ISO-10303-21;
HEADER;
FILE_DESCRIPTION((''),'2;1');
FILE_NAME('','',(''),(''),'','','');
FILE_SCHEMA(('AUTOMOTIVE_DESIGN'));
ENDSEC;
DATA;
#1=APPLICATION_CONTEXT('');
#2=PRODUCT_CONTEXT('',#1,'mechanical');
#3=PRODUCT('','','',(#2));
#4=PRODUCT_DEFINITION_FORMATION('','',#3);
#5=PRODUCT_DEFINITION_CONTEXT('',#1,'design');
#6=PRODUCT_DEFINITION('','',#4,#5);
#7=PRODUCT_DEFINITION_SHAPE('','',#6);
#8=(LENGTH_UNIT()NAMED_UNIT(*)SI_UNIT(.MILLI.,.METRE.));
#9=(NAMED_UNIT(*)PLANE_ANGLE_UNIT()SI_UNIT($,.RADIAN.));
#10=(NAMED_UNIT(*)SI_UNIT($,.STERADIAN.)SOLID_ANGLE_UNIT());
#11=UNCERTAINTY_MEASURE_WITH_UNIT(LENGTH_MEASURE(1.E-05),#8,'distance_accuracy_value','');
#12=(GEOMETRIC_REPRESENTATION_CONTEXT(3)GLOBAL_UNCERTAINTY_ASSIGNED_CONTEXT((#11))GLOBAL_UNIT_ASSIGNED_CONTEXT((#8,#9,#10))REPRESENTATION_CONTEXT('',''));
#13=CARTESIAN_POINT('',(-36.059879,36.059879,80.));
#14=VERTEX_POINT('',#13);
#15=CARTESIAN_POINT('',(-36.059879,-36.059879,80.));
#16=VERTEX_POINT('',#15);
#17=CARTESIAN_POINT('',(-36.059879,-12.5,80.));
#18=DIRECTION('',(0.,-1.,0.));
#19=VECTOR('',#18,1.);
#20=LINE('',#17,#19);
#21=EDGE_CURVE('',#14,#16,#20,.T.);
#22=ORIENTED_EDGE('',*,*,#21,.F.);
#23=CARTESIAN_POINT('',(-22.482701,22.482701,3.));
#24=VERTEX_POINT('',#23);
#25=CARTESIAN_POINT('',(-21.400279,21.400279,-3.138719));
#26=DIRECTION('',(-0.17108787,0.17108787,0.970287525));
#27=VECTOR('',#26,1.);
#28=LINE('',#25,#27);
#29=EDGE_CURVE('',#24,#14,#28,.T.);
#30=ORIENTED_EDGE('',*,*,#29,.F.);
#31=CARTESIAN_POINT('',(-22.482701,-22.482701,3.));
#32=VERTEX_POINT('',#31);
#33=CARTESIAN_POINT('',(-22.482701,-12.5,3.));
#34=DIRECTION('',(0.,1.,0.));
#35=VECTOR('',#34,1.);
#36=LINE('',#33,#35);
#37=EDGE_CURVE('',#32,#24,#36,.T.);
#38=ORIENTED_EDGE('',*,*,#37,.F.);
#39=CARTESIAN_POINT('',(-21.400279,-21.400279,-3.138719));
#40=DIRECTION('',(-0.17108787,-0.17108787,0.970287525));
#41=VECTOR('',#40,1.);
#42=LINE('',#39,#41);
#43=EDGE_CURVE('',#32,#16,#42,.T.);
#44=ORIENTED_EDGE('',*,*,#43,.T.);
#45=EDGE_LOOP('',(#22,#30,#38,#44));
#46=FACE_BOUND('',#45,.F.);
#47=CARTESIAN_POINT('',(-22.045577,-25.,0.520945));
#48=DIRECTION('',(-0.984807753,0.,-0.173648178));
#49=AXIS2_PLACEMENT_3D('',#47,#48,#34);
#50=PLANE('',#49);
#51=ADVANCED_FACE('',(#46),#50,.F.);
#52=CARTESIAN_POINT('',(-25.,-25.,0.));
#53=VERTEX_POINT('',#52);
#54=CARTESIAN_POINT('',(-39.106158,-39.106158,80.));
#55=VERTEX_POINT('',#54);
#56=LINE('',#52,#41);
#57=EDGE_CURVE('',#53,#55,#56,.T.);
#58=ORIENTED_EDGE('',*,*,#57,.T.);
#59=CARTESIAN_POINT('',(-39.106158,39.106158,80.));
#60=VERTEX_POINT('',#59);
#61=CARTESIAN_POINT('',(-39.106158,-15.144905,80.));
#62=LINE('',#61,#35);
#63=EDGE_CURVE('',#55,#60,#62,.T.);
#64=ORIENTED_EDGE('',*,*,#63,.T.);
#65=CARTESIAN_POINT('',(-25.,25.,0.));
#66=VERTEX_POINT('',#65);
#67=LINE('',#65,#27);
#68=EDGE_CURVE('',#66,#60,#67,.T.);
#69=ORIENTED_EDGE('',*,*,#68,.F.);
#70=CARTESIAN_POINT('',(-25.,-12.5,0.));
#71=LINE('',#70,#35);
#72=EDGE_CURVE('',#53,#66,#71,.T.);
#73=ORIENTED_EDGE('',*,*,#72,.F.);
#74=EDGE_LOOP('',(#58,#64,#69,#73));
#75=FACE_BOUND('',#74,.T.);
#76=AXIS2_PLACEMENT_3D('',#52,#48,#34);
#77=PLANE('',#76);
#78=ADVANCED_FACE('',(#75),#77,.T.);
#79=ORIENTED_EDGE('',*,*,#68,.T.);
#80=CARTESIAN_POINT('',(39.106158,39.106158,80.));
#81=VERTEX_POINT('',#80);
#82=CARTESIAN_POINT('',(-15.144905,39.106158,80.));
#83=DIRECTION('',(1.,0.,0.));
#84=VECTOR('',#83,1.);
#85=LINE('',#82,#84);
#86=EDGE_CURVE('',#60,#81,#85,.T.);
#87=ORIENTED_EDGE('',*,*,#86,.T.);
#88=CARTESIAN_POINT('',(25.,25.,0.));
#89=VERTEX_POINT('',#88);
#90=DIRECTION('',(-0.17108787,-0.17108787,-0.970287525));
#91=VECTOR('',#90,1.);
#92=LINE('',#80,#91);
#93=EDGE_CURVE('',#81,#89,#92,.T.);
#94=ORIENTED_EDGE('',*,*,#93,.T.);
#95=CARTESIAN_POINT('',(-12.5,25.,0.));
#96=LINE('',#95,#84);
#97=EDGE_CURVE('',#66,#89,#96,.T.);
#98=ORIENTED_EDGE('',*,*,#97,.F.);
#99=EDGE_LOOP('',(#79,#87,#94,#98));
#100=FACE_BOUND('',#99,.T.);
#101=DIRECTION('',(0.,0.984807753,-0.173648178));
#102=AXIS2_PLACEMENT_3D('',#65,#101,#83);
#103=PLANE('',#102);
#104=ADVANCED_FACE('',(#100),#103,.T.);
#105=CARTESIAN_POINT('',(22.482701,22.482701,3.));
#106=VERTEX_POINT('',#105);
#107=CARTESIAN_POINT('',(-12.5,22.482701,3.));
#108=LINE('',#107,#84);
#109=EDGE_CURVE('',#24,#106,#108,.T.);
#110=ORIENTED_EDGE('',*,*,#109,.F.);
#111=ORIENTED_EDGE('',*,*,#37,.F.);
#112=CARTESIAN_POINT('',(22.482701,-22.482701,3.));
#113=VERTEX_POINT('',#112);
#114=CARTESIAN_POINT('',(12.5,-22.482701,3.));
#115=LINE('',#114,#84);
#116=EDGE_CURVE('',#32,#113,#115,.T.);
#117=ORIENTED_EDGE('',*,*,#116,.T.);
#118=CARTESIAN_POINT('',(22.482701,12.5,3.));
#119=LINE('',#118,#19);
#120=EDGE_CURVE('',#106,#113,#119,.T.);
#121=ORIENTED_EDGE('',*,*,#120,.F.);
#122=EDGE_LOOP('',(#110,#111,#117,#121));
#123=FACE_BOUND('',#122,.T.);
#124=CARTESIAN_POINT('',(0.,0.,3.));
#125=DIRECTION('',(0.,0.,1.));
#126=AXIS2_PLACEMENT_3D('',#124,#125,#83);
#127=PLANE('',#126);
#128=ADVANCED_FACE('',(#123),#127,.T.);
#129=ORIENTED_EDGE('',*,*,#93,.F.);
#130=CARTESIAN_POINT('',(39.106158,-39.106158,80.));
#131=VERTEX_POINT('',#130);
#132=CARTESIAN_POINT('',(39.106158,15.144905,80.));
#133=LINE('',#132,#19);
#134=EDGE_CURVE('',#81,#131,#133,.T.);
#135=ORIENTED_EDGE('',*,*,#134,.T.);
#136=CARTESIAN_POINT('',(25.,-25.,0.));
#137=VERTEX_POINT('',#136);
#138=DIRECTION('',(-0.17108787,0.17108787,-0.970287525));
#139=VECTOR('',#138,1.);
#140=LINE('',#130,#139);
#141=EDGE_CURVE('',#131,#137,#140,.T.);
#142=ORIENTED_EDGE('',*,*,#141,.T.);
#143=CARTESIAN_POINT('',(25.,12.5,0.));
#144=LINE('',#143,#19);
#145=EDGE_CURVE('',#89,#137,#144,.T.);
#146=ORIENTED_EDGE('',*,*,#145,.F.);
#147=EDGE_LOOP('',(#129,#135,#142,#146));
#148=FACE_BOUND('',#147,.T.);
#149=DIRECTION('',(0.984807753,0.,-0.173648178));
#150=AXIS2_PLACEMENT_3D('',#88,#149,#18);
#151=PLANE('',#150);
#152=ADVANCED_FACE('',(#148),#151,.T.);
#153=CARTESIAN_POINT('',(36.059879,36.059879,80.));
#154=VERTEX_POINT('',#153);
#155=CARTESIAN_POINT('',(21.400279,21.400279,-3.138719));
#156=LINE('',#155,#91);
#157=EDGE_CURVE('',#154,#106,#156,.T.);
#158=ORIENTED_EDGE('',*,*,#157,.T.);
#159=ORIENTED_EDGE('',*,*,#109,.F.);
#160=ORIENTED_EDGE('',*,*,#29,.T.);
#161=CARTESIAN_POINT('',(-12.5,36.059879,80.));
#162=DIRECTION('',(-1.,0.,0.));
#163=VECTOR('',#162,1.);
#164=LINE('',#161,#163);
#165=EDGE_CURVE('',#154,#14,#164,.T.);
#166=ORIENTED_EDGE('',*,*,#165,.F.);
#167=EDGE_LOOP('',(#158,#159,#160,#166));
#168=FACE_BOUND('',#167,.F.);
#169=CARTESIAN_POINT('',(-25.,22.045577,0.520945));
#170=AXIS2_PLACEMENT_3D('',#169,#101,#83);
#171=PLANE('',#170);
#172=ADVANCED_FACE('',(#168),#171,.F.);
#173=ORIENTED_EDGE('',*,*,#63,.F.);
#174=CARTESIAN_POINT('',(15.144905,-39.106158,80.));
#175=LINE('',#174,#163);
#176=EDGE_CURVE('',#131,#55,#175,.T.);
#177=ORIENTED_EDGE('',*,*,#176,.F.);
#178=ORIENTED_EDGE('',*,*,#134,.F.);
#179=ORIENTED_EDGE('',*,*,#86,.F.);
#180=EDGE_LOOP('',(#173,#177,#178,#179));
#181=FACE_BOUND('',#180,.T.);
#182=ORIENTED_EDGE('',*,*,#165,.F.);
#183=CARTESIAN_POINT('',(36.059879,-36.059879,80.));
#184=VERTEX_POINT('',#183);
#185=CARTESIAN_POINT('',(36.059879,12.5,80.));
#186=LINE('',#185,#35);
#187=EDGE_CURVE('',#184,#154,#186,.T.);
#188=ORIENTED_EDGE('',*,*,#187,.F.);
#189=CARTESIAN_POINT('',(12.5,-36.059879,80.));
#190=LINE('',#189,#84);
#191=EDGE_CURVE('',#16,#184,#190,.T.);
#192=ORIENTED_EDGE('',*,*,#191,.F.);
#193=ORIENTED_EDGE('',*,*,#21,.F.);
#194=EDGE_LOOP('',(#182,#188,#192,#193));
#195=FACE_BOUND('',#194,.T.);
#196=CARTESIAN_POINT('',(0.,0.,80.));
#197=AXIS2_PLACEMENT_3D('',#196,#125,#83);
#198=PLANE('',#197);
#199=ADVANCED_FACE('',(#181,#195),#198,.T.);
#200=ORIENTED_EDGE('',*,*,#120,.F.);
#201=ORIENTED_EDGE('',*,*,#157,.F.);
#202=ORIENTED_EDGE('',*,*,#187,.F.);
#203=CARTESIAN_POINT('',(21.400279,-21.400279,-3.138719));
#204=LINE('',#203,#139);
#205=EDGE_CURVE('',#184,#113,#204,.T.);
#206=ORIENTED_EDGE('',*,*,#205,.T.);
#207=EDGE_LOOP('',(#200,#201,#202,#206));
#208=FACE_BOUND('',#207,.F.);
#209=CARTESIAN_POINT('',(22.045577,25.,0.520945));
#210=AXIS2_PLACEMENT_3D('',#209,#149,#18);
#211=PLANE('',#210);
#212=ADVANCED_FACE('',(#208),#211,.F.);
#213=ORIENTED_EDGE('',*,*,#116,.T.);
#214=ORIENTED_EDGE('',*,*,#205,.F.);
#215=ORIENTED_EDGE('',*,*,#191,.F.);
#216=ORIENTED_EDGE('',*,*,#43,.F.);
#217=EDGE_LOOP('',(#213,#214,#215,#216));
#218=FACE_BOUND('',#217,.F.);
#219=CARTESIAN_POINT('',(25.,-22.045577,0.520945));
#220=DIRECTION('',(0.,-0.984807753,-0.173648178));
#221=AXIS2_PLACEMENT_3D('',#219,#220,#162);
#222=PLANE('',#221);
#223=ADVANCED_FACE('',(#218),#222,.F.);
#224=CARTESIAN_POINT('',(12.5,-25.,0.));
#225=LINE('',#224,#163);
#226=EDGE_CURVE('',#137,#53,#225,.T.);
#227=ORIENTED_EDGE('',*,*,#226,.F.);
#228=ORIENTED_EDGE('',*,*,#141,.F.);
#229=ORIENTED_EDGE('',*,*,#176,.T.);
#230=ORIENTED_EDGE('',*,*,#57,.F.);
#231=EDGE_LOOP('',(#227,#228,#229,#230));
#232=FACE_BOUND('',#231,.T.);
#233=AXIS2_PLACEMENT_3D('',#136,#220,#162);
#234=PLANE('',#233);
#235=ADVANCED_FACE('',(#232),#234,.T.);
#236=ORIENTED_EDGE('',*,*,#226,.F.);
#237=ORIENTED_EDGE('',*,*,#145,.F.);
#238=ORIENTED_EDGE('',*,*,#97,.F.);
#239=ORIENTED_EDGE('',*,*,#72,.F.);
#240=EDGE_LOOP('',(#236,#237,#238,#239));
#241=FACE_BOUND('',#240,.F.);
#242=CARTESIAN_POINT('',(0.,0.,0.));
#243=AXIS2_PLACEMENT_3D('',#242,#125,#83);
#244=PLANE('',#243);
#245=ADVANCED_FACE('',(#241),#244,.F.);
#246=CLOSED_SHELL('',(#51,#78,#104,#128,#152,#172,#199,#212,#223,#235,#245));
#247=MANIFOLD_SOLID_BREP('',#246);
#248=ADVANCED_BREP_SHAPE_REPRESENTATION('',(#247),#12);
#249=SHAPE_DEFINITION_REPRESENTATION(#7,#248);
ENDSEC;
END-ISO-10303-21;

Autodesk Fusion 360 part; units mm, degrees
sketch "스케치1" plane through (0, 0, 0) normal (0, 0, 1) x (1, 0, 0)
  line L0 (-25, 25) -> (25, 25)
  line L1 (25, 25) -> (25, -25)
  line L2 (25, -25) -> (-25, -25)
  line L3 (-25, -25) -> (-25, 25)
sketch "스케치2" plane through (0, 0, 0) normal (0, 0, 1) x (1, 0, 0)
  line L0 (-54.7462, 3.4053) -> (-38.8986, -3.0124)
  line L1 (-38.8986, -3.0124) -> (-94.0377, -2.8814)
  line L2 (-94.0377, -2.8814) -> (-70, 5)
  line L3 (-70, 5) -> (-70, -25)
  line L4 (-70, -25) -> (-54.7462, 3.4053)
extrude "돌출1" add sketch "스케치1" along normal blind 30 draft 10
extrude "돌출2" add 1 faces at (-10.0966, 10.0966, 30) along direction (0, 0, 1) blind 50 draft 10
shell "쉘1" thickness 3 removed faces 1 at (-13.0354, 13.0354, 80)
